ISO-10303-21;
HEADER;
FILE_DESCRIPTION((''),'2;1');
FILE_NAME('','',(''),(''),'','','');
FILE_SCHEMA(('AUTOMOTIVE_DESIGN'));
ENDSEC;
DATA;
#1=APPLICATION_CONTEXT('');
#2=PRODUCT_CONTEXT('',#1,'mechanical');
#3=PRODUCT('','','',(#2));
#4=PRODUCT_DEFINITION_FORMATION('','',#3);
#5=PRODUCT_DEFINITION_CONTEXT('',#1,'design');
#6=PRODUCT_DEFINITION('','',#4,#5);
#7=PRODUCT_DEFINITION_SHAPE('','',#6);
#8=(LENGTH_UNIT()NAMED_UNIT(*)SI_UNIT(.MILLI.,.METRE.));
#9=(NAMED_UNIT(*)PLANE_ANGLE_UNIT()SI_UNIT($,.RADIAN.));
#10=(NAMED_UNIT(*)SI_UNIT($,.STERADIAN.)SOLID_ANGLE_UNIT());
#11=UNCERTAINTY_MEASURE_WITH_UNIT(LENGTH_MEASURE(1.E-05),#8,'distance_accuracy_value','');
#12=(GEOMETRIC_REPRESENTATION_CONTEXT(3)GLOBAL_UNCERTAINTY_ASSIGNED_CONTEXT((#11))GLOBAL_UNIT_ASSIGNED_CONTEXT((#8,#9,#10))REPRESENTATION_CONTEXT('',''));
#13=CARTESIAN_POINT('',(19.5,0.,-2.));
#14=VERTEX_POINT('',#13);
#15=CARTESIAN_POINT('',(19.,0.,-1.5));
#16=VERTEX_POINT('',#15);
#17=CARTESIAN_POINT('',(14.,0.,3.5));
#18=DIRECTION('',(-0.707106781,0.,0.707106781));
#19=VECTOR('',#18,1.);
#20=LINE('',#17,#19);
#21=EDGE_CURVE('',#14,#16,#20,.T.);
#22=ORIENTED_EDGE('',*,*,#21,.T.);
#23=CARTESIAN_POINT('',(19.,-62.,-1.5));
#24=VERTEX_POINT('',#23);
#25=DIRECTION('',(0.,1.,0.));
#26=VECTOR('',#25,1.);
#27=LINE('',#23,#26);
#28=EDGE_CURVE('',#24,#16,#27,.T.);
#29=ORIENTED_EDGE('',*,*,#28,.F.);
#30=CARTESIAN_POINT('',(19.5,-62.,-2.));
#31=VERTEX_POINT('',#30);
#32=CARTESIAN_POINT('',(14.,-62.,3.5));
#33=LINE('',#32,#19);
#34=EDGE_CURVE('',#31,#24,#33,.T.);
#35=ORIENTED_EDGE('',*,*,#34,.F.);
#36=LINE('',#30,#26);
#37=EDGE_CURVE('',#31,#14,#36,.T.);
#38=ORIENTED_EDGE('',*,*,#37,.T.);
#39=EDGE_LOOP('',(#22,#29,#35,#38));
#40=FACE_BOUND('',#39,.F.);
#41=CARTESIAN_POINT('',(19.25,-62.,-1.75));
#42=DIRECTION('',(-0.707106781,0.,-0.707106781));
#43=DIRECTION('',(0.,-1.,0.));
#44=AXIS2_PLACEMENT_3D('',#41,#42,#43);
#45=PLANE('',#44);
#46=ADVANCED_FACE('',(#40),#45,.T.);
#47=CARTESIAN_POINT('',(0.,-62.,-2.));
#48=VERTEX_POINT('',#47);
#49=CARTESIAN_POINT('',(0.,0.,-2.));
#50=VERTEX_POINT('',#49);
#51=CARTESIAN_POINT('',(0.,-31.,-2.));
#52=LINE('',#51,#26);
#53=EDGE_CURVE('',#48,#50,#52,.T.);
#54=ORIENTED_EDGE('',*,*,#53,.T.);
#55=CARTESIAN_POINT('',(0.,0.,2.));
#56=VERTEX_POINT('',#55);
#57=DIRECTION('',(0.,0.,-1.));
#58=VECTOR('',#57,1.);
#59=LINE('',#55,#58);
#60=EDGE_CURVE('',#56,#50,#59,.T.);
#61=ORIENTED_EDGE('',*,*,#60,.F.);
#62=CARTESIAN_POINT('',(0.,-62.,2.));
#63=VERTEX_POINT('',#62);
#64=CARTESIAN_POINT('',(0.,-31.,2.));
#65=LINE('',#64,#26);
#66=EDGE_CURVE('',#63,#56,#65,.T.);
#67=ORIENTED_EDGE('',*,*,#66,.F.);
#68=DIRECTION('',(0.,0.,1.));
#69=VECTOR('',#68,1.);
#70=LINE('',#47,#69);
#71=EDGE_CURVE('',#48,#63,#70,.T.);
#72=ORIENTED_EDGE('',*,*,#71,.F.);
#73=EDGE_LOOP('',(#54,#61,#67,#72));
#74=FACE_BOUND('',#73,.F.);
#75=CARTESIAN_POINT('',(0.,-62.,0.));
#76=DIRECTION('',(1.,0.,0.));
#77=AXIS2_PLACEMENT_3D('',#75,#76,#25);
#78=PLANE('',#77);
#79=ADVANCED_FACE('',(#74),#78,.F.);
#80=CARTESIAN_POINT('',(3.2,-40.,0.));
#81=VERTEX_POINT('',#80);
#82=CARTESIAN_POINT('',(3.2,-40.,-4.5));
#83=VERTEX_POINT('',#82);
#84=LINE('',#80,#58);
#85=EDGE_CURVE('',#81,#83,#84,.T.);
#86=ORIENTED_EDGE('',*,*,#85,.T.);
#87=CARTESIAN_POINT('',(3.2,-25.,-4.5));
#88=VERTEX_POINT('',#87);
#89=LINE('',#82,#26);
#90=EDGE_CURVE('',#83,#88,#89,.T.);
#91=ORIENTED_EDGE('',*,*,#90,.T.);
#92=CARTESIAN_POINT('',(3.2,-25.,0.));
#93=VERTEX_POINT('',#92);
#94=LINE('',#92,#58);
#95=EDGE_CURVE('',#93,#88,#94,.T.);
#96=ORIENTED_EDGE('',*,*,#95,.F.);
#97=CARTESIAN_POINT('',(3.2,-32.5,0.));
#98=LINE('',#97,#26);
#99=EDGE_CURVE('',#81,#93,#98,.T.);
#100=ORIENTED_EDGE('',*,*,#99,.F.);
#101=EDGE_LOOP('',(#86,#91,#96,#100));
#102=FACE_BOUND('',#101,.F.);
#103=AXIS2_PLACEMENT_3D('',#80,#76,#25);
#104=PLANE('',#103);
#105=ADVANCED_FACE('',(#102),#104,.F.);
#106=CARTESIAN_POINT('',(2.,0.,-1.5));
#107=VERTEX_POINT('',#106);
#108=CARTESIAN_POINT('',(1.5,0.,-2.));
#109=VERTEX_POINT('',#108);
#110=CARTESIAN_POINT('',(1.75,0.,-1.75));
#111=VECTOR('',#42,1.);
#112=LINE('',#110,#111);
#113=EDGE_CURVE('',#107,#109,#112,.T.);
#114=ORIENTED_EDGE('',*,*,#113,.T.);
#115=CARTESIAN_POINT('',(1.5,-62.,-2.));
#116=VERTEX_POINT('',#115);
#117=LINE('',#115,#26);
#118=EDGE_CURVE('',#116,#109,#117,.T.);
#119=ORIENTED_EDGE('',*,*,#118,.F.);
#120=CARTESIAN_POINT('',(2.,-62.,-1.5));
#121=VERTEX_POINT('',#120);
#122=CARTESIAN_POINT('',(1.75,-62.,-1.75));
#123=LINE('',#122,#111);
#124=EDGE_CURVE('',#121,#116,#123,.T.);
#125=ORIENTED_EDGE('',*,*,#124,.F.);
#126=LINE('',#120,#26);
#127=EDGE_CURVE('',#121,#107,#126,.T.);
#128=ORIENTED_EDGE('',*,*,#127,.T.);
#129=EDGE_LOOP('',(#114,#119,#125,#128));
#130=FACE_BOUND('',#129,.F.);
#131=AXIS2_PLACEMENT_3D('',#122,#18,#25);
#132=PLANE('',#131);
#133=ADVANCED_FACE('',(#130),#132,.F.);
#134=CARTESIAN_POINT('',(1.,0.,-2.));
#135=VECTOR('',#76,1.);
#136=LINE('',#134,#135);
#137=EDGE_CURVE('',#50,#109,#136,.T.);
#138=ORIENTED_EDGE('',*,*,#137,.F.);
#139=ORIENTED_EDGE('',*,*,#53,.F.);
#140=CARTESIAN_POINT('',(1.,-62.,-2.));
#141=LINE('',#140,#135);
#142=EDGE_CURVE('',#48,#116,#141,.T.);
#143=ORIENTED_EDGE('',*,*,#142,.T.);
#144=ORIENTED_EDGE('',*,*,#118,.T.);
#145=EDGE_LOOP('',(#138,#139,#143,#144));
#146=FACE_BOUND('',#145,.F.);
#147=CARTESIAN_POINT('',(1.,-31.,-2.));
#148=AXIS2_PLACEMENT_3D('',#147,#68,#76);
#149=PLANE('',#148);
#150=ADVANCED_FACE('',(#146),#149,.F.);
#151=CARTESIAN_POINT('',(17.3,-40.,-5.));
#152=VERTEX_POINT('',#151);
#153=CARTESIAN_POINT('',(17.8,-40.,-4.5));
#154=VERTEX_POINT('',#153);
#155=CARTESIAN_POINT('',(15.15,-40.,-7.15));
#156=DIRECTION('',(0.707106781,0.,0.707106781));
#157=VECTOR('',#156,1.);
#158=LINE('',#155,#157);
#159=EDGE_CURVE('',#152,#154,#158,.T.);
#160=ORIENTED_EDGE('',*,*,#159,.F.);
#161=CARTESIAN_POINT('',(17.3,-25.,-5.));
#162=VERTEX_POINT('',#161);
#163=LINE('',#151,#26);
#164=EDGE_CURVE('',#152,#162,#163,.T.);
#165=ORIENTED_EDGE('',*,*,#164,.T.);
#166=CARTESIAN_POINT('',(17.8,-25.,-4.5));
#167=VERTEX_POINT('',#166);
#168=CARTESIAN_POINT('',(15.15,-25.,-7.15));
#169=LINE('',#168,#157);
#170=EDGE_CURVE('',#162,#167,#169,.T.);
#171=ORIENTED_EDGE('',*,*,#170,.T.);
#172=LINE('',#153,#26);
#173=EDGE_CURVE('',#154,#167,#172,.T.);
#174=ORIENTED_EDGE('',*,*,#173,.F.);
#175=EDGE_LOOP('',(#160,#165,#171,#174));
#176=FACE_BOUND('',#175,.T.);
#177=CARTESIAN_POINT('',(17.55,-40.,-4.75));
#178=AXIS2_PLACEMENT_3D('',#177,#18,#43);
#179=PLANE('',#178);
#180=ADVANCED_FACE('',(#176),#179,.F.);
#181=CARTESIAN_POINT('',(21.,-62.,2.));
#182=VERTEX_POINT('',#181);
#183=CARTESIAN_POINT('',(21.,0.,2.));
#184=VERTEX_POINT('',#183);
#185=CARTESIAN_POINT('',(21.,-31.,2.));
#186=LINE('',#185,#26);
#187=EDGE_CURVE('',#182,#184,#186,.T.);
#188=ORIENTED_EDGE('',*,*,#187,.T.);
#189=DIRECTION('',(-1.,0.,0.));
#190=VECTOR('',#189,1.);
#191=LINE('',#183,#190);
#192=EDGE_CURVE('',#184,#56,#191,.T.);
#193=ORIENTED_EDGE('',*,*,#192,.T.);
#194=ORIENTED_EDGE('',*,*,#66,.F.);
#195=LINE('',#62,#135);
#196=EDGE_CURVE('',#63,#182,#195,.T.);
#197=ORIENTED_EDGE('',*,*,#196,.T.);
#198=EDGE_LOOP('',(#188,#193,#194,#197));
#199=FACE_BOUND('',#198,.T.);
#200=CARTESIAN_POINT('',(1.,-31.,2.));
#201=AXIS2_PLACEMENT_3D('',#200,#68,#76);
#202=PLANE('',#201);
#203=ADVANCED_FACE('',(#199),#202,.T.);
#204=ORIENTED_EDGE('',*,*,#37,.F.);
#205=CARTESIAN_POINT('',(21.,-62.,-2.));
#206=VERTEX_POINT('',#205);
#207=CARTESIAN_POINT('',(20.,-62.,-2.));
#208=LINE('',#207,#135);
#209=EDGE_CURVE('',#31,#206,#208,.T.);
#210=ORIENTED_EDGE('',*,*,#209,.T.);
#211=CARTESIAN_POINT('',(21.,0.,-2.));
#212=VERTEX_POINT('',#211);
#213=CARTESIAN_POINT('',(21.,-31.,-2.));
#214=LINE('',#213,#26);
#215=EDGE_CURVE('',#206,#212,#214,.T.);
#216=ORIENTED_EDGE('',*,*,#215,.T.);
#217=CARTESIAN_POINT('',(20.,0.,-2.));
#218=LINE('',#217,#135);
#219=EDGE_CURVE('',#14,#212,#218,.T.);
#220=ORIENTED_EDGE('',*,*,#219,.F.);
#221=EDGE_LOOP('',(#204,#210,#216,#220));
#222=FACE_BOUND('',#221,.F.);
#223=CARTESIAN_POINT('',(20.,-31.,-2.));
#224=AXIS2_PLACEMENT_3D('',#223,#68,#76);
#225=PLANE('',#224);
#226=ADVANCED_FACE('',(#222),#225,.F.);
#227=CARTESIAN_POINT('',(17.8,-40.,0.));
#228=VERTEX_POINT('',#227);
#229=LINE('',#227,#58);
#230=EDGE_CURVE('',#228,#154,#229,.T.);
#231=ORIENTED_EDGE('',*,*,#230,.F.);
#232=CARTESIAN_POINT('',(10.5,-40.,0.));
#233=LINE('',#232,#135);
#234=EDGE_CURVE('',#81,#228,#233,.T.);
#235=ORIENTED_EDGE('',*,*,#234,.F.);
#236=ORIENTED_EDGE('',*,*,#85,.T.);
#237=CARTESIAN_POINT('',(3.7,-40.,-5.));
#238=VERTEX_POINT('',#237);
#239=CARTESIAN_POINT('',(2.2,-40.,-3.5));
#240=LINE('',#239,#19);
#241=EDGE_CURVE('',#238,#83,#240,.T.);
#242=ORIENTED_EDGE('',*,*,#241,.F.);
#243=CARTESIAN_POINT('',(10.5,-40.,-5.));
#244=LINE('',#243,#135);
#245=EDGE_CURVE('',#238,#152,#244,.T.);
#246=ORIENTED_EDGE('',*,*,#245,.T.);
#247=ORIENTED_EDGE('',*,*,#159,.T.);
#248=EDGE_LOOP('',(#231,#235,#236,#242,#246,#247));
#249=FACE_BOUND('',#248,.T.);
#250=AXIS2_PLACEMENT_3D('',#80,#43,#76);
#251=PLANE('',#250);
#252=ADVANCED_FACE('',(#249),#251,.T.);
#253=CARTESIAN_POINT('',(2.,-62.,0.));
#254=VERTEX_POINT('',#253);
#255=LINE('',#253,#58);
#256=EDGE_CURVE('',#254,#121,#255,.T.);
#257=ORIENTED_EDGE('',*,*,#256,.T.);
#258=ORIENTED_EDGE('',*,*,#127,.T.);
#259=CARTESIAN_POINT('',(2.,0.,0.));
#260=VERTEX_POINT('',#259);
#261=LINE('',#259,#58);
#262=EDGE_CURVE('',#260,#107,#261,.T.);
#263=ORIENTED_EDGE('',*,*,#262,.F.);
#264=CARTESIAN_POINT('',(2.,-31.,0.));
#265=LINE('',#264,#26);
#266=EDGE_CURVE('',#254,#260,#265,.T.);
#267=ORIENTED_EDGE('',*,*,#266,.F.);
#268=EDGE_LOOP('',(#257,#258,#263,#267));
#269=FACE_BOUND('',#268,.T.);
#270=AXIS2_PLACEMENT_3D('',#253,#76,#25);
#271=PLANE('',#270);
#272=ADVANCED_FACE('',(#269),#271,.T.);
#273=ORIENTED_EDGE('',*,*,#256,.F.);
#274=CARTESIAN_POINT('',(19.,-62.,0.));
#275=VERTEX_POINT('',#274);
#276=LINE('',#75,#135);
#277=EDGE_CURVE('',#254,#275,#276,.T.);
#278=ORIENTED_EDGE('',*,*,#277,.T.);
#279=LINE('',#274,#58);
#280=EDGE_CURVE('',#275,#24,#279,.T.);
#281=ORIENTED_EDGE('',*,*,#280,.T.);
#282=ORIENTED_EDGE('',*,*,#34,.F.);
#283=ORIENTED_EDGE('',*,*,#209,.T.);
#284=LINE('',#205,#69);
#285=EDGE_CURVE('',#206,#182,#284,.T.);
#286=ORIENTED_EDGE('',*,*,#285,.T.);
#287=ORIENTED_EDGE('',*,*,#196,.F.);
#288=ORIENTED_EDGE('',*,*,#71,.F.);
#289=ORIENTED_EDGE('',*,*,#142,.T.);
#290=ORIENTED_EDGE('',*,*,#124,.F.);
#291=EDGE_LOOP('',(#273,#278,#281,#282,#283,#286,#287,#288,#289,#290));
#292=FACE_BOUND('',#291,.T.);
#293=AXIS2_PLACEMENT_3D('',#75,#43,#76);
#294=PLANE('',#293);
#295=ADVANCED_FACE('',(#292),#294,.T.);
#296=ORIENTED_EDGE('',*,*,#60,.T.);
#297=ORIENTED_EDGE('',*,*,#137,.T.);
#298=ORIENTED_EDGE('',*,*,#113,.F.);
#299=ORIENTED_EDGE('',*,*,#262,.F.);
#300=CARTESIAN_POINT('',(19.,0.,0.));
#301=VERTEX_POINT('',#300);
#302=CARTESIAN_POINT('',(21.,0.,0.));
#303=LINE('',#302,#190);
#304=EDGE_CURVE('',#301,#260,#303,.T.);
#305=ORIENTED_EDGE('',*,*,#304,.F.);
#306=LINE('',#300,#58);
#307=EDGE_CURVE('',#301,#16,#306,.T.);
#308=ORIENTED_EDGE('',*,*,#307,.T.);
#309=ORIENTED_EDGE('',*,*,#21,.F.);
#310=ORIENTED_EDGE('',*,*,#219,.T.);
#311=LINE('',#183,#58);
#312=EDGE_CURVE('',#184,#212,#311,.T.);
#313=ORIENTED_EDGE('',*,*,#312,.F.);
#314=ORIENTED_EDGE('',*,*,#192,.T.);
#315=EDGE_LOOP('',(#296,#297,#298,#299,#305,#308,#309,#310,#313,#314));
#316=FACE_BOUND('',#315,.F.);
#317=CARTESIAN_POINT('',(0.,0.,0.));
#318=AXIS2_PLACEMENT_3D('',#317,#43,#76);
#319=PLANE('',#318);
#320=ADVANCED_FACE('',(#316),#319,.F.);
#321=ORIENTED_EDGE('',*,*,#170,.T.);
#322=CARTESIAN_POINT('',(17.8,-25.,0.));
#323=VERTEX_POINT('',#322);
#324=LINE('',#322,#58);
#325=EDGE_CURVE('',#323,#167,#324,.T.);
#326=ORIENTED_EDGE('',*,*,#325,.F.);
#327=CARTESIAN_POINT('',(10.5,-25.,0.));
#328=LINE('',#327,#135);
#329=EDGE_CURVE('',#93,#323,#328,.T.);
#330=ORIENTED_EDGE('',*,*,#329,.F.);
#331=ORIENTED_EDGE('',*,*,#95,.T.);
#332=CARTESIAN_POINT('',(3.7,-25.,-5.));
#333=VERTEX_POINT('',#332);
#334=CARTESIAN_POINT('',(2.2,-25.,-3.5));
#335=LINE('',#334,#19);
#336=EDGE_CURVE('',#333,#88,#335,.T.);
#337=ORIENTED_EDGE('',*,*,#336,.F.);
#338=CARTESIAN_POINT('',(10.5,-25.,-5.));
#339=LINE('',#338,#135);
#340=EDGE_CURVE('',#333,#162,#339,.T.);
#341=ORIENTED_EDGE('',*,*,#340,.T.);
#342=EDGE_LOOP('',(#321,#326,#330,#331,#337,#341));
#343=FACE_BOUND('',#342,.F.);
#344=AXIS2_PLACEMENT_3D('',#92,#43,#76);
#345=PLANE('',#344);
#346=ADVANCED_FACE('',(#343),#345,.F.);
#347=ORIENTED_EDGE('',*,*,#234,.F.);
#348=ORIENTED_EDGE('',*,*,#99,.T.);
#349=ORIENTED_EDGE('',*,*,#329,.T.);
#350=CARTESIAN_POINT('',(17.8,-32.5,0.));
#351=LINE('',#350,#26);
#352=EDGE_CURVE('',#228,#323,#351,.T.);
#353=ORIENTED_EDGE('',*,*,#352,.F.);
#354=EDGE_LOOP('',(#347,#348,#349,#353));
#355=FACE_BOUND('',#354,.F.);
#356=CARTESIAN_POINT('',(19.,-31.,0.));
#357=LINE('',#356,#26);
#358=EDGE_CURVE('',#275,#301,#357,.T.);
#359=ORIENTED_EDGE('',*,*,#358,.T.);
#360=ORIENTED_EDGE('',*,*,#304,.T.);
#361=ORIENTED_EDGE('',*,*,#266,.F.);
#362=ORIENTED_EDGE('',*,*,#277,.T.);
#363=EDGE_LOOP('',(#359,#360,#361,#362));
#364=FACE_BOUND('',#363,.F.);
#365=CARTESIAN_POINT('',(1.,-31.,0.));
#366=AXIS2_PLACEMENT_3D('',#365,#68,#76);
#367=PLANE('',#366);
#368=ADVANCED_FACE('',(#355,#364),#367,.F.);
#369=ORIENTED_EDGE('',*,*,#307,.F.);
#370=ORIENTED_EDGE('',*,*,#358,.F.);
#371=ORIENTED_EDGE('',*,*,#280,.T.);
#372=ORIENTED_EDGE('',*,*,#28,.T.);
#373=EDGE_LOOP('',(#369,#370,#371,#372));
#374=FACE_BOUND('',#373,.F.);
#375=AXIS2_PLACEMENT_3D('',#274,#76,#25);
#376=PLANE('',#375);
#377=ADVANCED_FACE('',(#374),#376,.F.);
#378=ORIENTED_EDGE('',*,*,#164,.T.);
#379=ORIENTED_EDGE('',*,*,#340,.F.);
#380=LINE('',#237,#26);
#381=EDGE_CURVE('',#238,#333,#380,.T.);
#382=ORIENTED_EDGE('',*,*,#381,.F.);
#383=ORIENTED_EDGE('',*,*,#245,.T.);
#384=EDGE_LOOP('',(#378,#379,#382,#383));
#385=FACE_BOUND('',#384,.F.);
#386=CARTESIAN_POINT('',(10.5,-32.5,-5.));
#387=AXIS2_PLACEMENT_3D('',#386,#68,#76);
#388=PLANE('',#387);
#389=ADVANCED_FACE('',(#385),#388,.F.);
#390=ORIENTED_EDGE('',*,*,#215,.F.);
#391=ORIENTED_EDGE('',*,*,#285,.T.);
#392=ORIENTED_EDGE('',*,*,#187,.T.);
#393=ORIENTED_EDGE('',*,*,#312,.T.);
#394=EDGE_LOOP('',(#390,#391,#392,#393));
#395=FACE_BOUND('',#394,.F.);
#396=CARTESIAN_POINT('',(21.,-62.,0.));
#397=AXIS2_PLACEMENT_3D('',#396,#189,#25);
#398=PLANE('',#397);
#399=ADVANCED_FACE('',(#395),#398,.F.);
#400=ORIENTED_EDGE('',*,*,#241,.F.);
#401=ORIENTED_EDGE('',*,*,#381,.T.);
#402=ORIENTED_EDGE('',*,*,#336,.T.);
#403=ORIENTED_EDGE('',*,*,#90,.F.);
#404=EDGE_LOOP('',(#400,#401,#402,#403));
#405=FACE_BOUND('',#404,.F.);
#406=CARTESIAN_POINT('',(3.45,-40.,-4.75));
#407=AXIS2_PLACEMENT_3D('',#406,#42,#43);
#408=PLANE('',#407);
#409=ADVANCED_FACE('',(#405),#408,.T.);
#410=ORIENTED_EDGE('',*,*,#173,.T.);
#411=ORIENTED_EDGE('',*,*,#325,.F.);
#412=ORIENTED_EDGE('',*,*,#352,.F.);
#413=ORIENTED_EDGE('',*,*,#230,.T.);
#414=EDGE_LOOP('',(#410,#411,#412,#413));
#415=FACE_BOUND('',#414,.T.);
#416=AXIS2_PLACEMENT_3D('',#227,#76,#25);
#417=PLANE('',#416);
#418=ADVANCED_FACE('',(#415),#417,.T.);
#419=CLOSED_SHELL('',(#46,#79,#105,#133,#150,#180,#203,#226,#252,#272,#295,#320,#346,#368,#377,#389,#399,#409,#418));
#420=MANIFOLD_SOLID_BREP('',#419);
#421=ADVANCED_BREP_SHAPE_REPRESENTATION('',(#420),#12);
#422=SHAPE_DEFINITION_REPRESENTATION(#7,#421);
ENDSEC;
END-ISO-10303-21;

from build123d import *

# Parameters (mm, degrees)
F0_W     = 2
F0_H     = 62
F0_W_2   = 17
F0_W_3   = 14.6
F0_H_2   = 15
F1_DEPTH = 2
F2_DEPTH = 5
F3_DEPTH = 2
F4_SIZE  = 0.5


with BuildPart() as f1:
    # F0 (on Top) → F1 (new body)
    with BuildSketch(Plane.XY):
        with Locations((1, -31)):
            Rectangle(F0_W, F0_H)
        with Locations((10.5, -31)):
            Rectangle(F0_W_2, F0_H)
        with Locations((10.5, -32.5)):
            Rectangle(F0_W_3, F0_H_2, mode=Mode.SUBTRACT)
        with Locations((20, -31)):
            Rectangle(F0_W, F0_H)
        with Locations((10.5, -32.5)):
            Rectangle(F0_W_3, F0_H_2)
    extrude(amount=F1_DEPTH)

    # F0 (on Top) → F2 (join)
    with BuildSketch(Plane.XY):
        with Locations((10.5, -32.5)):
            Rectangle(F0_W_3, F0_H_2)
    extrude(amount=-F2_DEPTH)

    # F0 (on Top) → F3 (join)
    with BuildSketch(Plane.XY):
        with Locations((1, -31)):
            Rectangle(F0_W, F0_H)
        with Locations((20, -31)):
            Rectangle(F0_W, F0_H)
    extrude(amount=-F3_DEPTH)

    # F4
    f4_edges = [f1.edges().sort_by_distance(p)[0] for p in [
        (2, -31, -2),
        (19, -31, -2),
        (3.2, -32.5, -5),
        (17.8, -32.5, -5),
    ]]
    chamfer(f4_edges, length=F4_SIZE)


solid = f1.part
